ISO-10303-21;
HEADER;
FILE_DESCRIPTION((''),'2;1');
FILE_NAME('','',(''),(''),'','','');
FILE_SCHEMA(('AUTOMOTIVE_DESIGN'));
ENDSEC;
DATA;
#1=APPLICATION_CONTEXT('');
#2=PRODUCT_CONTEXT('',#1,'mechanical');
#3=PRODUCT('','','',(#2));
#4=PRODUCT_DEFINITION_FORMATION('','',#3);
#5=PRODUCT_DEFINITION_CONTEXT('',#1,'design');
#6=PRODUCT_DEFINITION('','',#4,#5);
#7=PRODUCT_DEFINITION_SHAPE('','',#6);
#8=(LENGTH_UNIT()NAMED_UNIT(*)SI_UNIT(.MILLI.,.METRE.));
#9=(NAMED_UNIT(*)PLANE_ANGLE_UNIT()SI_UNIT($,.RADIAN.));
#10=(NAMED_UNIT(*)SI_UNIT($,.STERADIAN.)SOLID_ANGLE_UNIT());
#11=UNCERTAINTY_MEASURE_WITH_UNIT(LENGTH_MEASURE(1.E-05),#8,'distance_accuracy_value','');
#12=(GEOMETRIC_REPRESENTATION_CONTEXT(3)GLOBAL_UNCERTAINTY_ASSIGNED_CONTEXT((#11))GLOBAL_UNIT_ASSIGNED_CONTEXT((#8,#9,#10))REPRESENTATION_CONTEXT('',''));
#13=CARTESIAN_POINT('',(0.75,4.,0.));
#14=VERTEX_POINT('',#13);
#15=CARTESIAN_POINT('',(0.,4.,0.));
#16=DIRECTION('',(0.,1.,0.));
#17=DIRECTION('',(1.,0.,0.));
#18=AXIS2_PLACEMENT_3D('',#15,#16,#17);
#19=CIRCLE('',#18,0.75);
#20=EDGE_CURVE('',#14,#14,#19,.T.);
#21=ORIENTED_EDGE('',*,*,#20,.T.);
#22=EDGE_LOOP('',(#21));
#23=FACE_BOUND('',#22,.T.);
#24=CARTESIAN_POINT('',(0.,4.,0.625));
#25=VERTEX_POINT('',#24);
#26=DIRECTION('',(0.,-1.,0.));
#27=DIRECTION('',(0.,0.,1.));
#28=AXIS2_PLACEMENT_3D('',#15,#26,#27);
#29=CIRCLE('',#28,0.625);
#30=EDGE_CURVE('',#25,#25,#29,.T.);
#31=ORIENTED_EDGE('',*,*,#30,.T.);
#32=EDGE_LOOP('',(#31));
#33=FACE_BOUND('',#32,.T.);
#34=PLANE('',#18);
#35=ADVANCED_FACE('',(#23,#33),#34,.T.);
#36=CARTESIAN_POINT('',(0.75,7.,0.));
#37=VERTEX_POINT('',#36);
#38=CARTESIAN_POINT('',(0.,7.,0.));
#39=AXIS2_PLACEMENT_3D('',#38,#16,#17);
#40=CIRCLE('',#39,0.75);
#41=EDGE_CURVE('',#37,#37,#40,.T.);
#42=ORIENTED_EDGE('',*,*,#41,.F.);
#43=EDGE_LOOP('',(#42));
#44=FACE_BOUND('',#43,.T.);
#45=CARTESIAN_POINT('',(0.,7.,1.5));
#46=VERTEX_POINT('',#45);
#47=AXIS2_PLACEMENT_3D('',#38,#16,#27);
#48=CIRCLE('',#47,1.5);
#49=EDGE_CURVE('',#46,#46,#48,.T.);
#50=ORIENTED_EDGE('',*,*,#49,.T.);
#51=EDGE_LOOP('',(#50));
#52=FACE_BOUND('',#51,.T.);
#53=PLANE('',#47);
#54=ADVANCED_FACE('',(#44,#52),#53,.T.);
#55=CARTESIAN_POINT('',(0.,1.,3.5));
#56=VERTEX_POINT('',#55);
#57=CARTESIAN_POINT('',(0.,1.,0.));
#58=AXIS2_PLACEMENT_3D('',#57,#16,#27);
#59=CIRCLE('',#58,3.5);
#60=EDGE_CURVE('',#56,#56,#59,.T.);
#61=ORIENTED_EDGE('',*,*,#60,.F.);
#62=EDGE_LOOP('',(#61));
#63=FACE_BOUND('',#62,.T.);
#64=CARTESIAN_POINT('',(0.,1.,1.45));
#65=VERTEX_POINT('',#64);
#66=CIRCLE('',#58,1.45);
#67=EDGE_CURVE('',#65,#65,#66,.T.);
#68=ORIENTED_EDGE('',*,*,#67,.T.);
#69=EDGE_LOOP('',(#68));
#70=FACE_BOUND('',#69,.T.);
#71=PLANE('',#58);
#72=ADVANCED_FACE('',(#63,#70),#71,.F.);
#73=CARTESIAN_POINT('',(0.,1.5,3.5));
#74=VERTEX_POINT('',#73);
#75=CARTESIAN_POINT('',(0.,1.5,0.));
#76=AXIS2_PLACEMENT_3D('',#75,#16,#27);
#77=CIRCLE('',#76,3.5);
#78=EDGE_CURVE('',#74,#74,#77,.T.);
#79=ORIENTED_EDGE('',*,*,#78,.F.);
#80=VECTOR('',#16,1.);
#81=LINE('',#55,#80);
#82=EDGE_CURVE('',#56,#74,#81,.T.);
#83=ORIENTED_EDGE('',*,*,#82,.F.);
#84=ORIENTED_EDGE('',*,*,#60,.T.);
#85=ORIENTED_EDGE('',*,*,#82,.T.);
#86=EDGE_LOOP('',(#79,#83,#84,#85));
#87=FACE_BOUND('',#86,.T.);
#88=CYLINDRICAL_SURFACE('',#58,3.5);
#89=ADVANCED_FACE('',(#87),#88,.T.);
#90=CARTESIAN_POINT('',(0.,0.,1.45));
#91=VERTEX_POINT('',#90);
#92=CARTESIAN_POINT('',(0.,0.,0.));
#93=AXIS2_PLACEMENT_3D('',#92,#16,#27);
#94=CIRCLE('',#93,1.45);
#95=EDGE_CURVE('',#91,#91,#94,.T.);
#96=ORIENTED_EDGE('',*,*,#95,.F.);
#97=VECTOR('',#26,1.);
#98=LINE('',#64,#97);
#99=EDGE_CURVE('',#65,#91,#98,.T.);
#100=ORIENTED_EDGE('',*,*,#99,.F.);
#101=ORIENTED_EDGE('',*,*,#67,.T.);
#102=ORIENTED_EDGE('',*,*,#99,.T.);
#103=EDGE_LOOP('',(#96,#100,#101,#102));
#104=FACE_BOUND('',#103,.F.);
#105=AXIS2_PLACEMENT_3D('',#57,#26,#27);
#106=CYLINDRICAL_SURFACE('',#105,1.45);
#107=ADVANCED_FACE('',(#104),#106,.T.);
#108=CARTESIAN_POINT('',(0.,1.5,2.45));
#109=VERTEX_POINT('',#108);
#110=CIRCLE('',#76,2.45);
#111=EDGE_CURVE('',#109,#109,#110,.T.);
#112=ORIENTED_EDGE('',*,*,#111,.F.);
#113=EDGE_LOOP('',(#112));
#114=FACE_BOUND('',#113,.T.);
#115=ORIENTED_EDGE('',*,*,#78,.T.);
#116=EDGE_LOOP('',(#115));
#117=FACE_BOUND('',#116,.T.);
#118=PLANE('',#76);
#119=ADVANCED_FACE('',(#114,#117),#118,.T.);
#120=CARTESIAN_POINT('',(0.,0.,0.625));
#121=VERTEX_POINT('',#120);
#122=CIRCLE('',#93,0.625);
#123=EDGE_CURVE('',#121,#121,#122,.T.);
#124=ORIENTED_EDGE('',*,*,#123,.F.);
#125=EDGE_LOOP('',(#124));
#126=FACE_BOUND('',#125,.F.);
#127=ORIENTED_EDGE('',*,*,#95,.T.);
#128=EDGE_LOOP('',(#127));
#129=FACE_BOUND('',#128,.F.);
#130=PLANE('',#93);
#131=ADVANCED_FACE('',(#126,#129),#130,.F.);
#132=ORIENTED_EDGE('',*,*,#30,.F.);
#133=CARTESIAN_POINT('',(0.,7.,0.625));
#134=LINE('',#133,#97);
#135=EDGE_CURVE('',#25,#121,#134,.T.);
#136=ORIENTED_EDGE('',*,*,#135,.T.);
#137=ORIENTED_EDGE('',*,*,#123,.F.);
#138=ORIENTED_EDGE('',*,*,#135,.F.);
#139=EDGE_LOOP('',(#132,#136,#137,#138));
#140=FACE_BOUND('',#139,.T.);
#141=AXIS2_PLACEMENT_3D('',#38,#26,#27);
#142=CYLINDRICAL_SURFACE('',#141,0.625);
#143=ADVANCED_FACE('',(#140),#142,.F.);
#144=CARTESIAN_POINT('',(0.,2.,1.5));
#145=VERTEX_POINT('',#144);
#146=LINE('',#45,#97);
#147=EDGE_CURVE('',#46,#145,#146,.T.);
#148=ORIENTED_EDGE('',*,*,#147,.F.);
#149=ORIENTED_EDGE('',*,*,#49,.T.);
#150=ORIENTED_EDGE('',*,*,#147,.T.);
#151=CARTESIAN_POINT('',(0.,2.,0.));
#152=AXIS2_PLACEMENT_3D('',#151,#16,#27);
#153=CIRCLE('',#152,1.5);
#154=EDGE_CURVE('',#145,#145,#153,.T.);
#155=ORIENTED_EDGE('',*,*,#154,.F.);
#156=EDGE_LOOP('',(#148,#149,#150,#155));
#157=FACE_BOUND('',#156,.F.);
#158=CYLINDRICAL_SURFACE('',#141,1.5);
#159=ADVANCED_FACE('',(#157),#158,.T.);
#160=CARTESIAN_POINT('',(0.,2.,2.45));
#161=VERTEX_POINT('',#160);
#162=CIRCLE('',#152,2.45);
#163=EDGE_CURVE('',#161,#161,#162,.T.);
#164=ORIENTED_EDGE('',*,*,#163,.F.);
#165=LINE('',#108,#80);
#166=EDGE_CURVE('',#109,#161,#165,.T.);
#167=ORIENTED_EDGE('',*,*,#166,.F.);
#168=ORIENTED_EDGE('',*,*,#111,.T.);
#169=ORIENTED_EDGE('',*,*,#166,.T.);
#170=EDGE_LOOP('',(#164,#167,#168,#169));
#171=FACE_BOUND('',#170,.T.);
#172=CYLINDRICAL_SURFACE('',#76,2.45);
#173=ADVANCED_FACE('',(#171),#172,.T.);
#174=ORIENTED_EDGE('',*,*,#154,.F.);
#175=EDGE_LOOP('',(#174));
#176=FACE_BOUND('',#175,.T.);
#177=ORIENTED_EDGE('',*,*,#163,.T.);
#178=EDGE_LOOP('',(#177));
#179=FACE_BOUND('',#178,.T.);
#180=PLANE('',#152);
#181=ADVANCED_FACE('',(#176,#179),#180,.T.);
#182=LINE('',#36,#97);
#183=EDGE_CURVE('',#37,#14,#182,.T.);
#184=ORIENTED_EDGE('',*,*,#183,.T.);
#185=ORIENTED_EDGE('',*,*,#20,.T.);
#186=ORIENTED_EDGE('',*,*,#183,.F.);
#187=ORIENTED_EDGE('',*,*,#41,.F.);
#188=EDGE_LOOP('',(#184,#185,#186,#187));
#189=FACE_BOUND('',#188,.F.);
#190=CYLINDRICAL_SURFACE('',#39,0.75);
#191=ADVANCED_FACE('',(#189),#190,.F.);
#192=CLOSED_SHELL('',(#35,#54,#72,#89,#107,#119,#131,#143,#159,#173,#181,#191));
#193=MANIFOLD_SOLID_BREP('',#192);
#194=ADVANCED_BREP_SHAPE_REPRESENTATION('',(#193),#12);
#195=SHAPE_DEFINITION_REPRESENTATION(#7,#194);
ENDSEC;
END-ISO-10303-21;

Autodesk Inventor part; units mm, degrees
ref_plane "YZ Plane" through (0, 0, 0) normal (1, 0, 0) x (0, 1, 0)
ref_plane "XZ Plane" through (0, 0, 0) normal (0, 1, 0) x (-1, 0, 0)
ref_plane "XY Plane" through (0, 0, 0) normal (0, 0, 1) x (1, 0, 0)
sketch "Sketch1" plane through (0, 0, 0) normal (1, 0, 0) x (0, 1, 0)
  line L0 (7, 0.625) -> (0, 0.625)
  line L1 (1, 1.45) -> (1, 3.5)
  line L2 (2, 2.45) -> (2, 1.5)
  line L3 (7, 1.5) -> (7, 0.625)
  line L4 (-1.4, 0) -> (8.4, 0) projected
  line L5 (1.5, 2.45) -> (2, 2.45)
  line L6 (1, 3.5) -> (1.5, 3.5)
  line L7 (1.5, 3.5) -> (1.5, 2.45)
  line L8 (1, 1.45) -> (0, 1.45)
  line L9 (0, 1.45) -> (0, 0.625)
  line L10 (7, 1.5) -> (2, 1.5)
  point P0 (0, 0)
  dimension "d0" = 7
  dimension "d1" = 0.625
  dimension "d8" = 2.45
  dimension "d10" = 0.5
  dimension "d11" = 0.5
  dimension "d13" = 3.5
  dimension "d16" = 1
  dimension "d31" = 1.45
  dimension "d32" = 1.5
revolve "Revolution1" add sketch "Sketch1" angle 360 about axis through (0, -10, 0) along (0, 1, 0)
sketch "Sketch5" plane through (0, 7, 0) normal (0, 1, 0) x (1, 0, 0)
  circle A0 centre (0, 0) radius 0.75
  dimension "d28" = 1.5
extrude "Extrusion2" cut sketch "Sketch5" against normal blind 3
properties part number "TorsOsc-202511-cell-tower" material "Epoxy Resin"
